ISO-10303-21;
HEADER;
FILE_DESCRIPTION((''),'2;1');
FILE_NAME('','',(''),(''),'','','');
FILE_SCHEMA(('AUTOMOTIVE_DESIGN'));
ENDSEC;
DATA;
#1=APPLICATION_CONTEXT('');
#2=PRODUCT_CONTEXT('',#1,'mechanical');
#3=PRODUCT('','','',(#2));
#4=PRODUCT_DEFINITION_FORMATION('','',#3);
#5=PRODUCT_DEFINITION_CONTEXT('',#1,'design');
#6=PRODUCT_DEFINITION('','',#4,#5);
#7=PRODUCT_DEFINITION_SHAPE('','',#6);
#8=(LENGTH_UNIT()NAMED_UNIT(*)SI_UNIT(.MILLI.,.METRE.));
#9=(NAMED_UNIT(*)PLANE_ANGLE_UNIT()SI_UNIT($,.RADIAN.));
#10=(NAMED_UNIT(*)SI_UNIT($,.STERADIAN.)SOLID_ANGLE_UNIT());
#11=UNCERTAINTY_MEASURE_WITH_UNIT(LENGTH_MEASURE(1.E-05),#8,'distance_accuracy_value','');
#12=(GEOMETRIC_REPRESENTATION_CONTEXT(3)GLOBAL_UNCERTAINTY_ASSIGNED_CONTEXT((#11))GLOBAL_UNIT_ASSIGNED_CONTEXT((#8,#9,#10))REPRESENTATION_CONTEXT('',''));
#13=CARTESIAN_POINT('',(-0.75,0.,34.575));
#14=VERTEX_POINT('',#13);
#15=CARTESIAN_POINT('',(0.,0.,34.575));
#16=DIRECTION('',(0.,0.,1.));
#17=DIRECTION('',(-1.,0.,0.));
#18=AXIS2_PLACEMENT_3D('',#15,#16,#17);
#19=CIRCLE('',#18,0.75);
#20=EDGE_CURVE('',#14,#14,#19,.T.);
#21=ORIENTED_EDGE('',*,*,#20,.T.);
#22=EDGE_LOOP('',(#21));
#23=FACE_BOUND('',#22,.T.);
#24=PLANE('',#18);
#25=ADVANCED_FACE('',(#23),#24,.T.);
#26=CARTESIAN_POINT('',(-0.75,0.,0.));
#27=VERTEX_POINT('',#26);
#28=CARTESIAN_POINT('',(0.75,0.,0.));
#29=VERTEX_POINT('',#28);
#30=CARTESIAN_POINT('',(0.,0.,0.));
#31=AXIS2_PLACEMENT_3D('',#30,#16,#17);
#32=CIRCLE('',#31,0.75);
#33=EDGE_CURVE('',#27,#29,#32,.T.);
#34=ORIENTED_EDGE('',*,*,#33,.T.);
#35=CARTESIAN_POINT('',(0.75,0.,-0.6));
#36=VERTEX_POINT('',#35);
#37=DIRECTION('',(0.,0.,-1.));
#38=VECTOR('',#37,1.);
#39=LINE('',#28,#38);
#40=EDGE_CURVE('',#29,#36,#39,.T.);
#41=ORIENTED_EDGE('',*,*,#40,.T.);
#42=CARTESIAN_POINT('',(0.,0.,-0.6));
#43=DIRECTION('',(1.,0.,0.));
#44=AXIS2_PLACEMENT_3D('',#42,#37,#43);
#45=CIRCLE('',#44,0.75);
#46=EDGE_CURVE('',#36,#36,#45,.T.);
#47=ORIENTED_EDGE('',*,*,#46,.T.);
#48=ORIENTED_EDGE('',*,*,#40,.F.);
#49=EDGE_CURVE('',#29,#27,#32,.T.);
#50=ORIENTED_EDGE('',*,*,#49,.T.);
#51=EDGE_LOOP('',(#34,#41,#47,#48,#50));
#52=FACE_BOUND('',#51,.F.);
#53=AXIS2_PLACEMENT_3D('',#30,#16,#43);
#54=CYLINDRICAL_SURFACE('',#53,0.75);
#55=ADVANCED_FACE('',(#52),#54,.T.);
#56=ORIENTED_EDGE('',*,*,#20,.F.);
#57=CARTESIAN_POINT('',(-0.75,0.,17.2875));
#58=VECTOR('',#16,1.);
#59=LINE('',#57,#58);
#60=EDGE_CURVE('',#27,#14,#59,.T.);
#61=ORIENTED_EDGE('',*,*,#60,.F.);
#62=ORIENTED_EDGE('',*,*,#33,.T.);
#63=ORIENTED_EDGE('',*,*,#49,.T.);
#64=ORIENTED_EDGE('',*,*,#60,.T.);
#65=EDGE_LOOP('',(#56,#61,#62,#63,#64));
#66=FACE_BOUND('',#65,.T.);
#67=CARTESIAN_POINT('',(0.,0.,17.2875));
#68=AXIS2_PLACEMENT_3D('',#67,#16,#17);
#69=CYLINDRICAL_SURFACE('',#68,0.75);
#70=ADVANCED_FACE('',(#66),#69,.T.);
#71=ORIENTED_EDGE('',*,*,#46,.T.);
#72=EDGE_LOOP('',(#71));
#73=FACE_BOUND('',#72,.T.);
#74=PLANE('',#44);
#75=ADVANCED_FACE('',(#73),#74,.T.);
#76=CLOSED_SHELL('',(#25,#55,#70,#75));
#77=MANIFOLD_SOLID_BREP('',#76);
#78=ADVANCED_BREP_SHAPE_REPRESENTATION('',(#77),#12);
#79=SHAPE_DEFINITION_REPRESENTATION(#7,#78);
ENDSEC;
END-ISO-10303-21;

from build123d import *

# Parameters (mm, degrees)
F0_W      = 0.75
F0_H      = 34.575
F1_FACE_R = 0.75
F2_DEPTH  = 0.6


with BuildPart() as f1:
    # F0 (on Front) → F1 (revolve)
    with BuildSketch(Plane.XZ):
        with Locations((-0.375, 17.2875)):
            Rectangle(F0_W, F0_H)
    revolve(axis=Axis((0, 0, 17.2875), (0, 0, 1)))

    # F1_face (on face) → F2 (join)
    with BuildSketch(Plane(origin=(0, 0, 0), x_dir=(1, 0, 0), z_dir=(0, 0, -1))):
        Circle(F1_FACE_R)
    extrude(amount=F2_DEPTH)


solid = f1.part
